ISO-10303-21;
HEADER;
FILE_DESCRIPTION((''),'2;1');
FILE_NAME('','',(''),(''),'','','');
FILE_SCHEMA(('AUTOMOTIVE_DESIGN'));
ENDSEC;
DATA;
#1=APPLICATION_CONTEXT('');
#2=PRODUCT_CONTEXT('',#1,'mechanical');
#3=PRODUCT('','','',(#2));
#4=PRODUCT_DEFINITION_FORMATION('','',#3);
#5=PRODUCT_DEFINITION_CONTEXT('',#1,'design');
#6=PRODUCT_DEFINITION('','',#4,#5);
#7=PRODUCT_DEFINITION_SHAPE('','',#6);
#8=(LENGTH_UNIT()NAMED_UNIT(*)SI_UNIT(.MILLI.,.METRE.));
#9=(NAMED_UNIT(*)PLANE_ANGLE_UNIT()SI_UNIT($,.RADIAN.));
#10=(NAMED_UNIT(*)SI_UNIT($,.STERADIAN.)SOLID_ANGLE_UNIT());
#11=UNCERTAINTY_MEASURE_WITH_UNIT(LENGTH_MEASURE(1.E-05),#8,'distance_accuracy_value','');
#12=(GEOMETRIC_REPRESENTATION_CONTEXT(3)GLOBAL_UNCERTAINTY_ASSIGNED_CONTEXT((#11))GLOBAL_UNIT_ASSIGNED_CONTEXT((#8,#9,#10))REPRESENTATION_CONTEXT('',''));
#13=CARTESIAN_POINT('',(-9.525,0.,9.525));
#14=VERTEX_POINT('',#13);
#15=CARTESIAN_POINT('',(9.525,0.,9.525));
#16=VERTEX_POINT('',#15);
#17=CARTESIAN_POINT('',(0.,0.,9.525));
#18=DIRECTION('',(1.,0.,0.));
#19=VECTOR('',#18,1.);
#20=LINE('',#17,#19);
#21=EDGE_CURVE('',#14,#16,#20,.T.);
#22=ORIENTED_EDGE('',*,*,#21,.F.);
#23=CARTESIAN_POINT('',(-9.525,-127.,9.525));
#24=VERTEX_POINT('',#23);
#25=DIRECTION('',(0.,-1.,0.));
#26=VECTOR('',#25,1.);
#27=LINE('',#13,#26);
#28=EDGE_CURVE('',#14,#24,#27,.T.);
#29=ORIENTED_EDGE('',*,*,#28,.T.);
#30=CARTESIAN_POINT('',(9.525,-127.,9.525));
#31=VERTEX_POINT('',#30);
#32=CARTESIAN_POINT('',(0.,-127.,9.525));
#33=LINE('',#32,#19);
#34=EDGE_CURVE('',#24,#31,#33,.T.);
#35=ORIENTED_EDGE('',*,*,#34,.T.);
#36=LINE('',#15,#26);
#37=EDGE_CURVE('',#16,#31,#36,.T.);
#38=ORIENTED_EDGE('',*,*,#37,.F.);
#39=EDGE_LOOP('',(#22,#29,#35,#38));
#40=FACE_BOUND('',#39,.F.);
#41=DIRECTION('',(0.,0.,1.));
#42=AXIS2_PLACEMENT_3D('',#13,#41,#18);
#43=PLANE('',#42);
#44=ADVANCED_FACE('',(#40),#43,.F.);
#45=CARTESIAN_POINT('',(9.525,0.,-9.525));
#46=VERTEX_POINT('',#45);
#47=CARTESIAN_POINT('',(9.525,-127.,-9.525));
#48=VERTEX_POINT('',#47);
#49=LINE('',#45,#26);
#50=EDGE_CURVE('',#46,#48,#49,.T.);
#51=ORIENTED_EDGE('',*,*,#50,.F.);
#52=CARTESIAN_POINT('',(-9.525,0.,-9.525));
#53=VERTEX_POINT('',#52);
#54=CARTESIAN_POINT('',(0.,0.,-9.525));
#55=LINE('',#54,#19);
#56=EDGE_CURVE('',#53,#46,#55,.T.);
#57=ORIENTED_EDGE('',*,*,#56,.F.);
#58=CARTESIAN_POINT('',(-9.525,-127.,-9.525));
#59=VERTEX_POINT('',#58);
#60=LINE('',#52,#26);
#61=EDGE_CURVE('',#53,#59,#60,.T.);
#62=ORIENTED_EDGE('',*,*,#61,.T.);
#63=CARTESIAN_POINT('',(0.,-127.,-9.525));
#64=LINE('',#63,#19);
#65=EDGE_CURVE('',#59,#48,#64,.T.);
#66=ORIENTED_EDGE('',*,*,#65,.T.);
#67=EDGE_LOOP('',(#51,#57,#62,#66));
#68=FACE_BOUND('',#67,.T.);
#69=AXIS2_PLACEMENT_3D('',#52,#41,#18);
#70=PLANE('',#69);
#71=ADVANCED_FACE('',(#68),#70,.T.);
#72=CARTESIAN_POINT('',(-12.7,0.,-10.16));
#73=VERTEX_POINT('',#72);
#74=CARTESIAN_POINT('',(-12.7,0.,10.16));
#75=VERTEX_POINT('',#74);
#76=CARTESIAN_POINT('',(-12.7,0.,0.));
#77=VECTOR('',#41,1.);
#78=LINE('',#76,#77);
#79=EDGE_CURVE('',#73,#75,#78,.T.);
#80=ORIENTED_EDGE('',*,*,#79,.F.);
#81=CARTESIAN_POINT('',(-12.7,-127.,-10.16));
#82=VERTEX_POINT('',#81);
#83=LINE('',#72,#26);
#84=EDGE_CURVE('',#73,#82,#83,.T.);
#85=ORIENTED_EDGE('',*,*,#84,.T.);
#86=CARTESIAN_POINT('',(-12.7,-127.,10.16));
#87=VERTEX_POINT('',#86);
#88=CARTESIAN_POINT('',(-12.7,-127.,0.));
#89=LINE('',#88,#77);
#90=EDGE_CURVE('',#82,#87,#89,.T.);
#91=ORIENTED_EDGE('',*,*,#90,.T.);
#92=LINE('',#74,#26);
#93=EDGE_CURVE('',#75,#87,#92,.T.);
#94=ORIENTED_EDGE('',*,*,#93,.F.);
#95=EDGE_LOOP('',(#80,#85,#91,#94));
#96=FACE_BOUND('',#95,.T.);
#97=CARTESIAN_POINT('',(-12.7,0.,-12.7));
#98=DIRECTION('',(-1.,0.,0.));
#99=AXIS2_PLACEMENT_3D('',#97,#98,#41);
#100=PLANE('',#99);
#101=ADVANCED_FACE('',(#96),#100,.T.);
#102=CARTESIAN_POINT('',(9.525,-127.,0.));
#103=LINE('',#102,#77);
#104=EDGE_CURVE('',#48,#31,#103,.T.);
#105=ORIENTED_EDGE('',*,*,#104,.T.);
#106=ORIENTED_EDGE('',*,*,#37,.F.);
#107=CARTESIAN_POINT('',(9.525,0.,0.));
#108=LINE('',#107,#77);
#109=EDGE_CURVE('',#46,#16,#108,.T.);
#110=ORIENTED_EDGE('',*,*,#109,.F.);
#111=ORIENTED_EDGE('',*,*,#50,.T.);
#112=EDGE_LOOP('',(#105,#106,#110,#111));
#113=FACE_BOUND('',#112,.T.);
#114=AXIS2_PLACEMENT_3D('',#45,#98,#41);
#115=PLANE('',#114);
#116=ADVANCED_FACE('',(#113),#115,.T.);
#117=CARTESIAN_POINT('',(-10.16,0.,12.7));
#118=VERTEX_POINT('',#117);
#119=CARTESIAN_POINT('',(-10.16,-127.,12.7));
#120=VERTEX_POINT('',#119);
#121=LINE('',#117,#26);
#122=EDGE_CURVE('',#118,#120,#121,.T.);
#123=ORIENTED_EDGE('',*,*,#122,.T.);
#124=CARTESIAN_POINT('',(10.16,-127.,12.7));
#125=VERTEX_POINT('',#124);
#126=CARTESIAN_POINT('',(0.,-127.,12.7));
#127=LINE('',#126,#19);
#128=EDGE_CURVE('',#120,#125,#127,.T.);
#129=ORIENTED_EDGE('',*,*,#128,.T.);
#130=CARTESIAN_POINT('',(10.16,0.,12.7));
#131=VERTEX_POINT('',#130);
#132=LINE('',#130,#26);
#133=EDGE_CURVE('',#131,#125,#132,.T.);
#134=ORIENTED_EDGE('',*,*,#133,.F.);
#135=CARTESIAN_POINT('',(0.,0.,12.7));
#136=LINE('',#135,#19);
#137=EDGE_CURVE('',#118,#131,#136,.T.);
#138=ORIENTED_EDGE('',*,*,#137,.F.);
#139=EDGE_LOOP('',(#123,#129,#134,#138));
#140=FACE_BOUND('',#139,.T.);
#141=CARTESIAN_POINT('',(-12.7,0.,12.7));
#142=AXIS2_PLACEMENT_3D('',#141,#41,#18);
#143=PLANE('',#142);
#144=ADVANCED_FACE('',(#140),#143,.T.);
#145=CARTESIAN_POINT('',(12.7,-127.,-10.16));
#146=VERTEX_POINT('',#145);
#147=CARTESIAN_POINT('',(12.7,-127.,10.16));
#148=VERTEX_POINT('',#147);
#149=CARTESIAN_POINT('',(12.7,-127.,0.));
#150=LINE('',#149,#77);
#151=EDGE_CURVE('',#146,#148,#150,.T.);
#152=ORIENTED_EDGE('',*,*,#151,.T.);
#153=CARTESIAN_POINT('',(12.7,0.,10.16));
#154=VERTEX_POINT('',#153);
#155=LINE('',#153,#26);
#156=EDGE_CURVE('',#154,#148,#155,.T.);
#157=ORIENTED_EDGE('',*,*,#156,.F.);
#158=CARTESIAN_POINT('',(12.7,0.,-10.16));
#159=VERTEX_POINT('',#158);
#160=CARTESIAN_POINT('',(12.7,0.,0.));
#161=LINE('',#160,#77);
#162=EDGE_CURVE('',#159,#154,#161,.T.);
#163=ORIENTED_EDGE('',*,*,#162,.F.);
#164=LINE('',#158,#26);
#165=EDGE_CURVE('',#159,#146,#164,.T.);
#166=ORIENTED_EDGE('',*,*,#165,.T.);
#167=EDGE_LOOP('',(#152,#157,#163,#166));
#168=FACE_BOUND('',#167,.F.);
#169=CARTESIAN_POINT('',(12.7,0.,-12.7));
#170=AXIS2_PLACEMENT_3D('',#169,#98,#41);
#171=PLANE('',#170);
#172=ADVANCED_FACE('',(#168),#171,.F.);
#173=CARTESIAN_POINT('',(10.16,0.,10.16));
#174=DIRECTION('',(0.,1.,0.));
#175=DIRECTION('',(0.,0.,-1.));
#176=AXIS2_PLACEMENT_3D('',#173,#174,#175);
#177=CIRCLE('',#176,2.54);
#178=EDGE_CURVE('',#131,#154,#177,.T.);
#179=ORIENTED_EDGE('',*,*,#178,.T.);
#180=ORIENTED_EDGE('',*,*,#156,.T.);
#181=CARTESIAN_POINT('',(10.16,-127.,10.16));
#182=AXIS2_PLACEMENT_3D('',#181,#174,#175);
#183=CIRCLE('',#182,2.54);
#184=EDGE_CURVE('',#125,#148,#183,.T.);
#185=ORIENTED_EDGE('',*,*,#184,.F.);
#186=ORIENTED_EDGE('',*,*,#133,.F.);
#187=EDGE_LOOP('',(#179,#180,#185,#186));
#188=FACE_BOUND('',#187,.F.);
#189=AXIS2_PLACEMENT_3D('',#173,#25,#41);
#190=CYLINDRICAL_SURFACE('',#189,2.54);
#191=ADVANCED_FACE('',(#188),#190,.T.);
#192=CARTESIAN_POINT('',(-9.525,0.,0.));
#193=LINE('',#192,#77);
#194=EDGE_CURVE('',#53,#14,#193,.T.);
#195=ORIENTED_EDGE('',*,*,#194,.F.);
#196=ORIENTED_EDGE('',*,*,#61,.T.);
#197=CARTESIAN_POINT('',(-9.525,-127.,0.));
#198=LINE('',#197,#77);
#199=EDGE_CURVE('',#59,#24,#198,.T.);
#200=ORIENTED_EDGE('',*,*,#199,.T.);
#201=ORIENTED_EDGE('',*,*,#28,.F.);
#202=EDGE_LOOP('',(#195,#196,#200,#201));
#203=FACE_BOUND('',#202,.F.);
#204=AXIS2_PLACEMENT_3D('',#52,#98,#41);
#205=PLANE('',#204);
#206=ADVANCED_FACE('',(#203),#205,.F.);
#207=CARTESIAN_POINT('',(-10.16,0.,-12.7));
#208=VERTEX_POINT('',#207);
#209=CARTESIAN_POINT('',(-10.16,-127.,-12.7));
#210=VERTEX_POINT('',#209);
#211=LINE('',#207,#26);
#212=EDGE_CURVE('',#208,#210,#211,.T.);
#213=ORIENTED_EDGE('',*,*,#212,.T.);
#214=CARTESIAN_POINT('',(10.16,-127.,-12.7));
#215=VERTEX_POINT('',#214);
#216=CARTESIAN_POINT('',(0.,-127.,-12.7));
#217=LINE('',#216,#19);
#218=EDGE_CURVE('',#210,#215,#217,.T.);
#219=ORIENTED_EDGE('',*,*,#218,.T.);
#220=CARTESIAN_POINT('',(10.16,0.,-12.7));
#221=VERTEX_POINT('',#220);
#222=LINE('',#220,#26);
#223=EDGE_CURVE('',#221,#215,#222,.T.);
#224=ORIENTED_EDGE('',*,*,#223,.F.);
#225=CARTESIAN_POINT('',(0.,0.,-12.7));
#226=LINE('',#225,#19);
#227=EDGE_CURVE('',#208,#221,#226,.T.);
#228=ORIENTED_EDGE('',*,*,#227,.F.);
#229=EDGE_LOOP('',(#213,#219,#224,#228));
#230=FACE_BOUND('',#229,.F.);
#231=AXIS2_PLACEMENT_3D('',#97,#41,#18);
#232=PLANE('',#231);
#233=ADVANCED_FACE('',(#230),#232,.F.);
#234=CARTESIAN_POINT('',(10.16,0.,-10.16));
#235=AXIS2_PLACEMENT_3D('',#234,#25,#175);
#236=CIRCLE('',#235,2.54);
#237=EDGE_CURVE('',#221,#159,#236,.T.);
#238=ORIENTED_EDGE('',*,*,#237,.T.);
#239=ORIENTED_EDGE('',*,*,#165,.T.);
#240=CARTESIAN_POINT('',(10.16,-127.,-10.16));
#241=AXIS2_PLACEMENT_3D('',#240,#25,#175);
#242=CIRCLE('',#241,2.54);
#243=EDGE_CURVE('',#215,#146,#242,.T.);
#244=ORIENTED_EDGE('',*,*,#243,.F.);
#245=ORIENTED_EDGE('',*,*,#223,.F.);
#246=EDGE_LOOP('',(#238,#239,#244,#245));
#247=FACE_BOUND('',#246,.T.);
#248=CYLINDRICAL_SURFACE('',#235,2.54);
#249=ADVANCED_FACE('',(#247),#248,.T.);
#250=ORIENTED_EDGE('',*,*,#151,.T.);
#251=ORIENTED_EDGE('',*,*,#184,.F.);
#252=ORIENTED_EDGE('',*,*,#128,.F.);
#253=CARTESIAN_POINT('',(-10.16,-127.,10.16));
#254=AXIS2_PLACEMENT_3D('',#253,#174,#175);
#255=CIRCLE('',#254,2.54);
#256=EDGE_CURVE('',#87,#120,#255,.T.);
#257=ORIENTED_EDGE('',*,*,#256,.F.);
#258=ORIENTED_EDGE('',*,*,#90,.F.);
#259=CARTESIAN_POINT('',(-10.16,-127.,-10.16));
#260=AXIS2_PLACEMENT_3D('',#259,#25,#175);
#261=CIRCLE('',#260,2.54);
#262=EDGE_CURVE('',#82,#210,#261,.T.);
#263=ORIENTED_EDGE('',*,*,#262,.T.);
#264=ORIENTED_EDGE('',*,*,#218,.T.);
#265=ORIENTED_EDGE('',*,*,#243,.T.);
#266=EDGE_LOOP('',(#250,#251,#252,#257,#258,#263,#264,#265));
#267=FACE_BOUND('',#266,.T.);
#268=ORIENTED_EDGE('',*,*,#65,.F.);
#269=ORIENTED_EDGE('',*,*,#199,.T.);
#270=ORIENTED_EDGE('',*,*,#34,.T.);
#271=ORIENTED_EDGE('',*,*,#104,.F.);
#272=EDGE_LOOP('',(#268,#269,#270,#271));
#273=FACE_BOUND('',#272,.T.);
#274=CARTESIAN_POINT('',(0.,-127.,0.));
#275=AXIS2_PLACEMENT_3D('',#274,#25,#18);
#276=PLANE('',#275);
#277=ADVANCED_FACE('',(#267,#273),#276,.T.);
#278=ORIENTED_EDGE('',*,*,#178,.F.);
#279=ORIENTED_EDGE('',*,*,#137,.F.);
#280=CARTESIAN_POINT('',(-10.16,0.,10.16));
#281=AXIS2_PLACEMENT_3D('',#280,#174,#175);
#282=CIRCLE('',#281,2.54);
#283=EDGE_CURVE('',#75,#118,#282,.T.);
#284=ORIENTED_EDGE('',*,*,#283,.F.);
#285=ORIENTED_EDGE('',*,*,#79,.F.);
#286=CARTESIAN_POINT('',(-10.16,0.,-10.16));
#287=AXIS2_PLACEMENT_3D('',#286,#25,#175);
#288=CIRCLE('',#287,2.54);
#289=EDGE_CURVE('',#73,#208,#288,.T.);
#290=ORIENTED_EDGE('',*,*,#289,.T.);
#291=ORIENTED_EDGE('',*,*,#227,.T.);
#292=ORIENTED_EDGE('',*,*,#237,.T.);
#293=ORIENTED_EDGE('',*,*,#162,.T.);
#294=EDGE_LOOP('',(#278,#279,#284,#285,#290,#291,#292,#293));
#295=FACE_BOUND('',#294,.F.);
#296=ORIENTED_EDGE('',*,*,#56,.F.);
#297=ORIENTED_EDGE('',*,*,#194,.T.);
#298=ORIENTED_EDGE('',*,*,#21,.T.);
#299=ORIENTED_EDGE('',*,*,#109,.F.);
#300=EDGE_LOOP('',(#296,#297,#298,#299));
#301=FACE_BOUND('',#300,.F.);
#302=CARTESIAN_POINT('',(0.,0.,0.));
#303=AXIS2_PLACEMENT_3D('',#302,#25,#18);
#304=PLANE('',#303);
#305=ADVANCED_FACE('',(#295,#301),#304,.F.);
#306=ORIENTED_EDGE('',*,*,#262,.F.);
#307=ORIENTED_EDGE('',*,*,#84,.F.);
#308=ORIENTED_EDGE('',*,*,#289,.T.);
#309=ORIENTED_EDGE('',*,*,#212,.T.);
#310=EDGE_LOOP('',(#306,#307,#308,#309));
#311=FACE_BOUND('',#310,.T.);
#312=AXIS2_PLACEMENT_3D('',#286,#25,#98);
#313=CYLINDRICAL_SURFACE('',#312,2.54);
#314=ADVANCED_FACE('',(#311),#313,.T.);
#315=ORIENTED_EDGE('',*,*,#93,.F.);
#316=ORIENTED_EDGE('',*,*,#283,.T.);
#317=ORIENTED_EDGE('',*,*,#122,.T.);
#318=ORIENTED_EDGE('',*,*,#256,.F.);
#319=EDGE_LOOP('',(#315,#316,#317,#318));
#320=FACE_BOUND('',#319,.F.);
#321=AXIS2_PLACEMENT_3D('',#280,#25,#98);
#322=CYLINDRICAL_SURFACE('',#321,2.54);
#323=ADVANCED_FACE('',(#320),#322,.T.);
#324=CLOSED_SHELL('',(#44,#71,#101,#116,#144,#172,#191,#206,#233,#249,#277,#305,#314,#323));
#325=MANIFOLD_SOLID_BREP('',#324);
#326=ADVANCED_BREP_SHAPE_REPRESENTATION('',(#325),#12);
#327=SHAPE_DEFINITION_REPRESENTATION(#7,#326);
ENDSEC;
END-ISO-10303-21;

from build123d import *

# Parameters (mm, degrees)
F0_W     = 25.4
F0_H     = 25.4
F0_W_2   = 19.05
F0_H_2   = 19.05
F1_DEPTH = 127
F2_R     = 2.54


with BuildPart() as f1:
    # F0 (on Front) → F1 (new body)
    with BuildSketch(Plane.XZ):
        Rectangle(F0_W, F0_H)
        Rectangle(F0_W_2, F0_H_2, mode=Mode.SUBTRACT)
    extrude(amount=F1_DEPTH)

    # F2
    f2_edges = [f1.edges().sort_by_distance(p)[0] for p in [
        (-12.7, -63.5, -12.7),
        (12.7, -63.5, -12.7),
        (-12.7, -63.5, 12.7),
        (12.7, -63.5, 12.7),
    ]]
    fillet(f2_edges, radius=F2_R)


solid = f1.part
